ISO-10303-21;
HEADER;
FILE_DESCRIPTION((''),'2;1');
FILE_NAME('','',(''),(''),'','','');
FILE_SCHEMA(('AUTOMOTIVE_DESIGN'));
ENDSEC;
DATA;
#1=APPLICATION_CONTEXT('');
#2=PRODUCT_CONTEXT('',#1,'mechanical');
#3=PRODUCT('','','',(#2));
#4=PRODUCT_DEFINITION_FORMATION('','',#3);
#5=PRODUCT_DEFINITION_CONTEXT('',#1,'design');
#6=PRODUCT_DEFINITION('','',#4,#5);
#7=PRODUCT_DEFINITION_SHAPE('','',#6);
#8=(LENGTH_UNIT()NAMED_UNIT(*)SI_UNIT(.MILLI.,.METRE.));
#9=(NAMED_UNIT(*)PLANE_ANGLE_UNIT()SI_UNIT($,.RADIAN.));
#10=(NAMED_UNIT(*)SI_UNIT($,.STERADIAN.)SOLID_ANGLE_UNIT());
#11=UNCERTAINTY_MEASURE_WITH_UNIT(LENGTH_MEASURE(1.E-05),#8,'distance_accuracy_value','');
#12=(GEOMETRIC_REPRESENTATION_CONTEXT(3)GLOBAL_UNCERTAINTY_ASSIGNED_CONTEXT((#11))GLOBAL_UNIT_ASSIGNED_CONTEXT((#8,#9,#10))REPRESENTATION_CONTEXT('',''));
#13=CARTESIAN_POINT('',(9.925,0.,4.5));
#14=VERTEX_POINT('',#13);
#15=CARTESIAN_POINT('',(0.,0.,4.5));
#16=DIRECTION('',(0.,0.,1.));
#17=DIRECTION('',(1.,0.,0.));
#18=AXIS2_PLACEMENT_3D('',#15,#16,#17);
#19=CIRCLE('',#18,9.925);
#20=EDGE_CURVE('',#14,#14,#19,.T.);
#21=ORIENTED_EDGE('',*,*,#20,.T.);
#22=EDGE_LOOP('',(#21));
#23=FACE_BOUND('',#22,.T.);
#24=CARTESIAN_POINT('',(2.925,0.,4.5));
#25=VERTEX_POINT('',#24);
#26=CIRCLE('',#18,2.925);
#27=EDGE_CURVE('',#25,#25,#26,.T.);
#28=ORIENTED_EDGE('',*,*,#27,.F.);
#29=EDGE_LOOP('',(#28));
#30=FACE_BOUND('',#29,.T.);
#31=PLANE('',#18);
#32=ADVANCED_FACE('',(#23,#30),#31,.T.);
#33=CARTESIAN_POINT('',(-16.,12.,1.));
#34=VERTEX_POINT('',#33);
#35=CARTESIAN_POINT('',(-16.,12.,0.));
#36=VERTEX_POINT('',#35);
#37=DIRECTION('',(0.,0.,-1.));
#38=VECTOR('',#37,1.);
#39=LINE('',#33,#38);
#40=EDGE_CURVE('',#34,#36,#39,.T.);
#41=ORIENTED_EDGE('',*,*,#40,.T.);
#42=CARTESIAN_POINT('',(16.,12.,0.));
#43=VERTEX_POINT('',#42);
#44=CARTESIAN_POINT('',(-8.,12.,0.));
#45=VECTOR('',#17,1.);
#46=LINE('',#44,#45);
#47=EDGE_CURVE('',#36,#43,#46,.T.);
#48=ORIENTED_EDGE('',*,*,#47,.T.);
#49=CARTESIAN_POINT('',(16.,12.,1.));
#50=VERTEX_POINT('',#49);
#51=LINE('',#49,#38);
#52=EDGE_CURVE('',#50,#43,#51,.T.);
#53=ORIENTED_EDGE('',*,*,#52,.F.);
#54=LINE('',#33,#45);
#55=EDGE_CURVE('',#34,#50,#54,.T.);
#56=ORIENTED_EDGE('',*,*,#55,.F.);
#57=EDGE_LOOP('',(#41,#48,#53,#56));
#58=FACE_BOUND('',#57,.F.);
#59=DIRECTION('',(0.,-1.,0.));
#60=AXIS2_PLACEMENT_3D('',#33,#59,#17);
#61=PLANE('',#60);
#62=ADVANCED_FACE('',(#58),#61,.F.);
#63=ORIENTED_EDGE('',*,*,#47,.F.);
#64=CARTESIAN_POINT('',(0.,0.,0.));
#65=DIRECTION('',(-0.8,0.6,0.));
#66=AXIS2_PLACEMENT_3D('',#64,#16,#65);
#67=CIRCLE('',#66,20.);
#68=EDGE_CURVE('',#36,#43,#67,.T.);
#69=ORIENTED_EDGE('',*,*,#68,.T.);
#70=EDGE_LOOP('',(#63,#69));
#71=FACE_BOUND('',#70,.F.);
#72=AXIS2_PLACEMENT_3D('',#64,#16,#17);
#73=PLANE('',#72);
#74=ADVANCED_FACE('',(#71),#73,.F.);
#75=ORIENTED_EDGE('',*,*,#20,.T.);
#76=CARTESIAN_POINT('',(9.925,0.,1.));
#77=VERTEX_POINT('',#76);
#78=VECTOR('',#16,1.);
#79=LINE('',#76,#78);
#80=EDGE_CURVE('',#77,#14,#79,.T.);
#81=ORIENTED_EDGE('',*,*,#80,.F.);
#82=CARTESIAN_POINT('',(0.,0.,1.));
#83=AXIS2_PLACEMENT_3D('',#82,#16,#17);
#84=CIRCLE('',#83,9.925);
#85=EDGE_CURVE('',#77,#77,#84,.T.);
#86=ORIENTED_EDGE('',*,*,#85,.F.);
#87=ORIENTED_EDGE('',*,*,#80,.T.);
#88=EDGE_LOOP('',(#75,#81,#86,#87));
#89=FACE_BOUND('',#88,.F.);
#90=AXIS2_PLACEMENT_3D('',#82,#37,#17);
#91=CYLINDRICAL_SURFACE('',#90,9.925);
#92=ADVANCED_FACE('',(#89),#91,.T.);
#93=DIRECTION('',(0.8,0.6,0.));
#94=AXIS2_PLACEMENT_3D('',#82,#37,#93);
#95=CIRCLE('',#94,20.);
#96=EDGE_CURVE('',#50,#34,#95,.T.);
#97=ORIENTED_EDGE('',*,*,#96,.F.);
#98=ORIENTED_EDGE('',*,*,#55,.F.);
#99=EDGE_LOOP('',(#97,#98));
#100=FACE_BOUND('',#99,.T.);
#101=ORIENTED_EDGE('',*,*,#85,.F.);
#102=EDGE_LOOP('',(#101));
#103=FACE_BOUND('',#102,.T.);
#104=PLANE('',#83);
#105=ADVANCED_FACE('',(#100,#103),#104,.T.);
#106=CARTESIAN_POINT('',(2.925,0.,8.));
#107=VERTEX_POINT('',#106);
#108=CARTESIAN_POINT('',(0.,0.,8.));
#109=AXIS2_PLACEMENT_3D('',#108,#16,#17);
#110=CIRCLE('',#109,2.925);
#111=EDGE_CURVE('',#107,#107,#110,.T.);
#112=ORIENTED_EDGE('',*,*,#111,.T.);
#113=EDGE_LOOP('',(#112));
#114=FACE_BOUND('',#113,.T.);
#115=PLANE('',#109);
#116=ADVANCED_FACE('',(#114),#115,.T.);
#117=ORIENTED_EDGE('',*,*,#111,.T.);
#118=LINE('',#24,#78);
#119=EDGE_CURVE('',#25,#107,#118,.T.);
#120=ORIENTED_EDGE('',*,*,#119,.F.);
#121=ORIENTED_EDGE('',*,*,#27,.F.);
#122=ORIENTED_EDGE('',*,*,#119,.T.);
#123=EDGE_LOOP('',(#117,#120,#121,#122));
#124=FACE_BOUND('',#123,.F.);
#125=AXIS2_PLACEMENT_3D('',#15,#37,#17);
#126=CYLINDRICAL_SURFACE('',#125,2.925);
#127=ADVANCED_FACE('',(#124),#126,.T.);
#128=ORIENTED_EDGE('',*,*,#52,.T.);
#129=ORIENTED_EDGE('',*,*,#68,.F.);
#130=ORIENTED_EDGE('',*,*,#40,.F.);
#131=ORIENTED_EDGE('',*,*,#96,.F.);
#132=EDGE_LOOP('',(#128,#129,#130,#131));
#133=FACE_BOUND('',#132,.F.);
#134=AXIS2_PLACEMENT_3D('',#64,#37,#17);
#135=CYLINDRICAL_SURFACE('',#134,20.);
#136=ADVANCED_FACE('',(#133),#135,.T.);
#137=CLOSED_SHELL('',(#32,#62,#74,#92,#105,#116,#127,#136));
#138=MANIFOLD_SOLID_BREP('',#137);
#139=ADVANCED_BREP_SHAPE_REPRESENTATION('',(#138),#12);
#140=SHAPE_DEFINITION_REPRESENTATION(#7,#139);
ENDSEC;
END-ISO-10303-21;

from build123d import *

# Parameters (mm, degrees)
F0_R     = 20
F1_DEPTH = 1
F2_R     = 9.925
F3_DEPTH = 3.5
F4_R     = 2.925
F5_DEPTH = 3.5
F6_W     = 16
F6_H     = 9
F7_DEPTH = 25


with BuildPart() as f1:
    # F0 (on Top) → F1 (new body)
    with BuildSketch(Plane.XY):
        Circle(F0_R)
    extrude(amount=F1_DEPTH)

    # F2 (on face) → F3 (join)
    with BuildSketch(Plane.XY.offset(1)):
        Circle(F2_R)
    extrude(amount=F3_DEPTH)

    # F4 (on face) → F5 (join)
    with BuildSketch(Plane.XY.offset(4.5)):
        Circle(F4_R)
    extrude(amount=F5_DEPTH)

    # F6 (on face) → F7 (cut)
    with BuildSketch(Plane.XY.offset(1)):
        with Locations((8, 16.5)):
            Rectangle(F6_W, F6_H)
        with Locations((-8, 16.5)):
            Rectangle(F6_W, F6_H)
    extrude(amount=-F7_DEPTH, mode=Mode.SUBTRACT)


solid = f1.part
